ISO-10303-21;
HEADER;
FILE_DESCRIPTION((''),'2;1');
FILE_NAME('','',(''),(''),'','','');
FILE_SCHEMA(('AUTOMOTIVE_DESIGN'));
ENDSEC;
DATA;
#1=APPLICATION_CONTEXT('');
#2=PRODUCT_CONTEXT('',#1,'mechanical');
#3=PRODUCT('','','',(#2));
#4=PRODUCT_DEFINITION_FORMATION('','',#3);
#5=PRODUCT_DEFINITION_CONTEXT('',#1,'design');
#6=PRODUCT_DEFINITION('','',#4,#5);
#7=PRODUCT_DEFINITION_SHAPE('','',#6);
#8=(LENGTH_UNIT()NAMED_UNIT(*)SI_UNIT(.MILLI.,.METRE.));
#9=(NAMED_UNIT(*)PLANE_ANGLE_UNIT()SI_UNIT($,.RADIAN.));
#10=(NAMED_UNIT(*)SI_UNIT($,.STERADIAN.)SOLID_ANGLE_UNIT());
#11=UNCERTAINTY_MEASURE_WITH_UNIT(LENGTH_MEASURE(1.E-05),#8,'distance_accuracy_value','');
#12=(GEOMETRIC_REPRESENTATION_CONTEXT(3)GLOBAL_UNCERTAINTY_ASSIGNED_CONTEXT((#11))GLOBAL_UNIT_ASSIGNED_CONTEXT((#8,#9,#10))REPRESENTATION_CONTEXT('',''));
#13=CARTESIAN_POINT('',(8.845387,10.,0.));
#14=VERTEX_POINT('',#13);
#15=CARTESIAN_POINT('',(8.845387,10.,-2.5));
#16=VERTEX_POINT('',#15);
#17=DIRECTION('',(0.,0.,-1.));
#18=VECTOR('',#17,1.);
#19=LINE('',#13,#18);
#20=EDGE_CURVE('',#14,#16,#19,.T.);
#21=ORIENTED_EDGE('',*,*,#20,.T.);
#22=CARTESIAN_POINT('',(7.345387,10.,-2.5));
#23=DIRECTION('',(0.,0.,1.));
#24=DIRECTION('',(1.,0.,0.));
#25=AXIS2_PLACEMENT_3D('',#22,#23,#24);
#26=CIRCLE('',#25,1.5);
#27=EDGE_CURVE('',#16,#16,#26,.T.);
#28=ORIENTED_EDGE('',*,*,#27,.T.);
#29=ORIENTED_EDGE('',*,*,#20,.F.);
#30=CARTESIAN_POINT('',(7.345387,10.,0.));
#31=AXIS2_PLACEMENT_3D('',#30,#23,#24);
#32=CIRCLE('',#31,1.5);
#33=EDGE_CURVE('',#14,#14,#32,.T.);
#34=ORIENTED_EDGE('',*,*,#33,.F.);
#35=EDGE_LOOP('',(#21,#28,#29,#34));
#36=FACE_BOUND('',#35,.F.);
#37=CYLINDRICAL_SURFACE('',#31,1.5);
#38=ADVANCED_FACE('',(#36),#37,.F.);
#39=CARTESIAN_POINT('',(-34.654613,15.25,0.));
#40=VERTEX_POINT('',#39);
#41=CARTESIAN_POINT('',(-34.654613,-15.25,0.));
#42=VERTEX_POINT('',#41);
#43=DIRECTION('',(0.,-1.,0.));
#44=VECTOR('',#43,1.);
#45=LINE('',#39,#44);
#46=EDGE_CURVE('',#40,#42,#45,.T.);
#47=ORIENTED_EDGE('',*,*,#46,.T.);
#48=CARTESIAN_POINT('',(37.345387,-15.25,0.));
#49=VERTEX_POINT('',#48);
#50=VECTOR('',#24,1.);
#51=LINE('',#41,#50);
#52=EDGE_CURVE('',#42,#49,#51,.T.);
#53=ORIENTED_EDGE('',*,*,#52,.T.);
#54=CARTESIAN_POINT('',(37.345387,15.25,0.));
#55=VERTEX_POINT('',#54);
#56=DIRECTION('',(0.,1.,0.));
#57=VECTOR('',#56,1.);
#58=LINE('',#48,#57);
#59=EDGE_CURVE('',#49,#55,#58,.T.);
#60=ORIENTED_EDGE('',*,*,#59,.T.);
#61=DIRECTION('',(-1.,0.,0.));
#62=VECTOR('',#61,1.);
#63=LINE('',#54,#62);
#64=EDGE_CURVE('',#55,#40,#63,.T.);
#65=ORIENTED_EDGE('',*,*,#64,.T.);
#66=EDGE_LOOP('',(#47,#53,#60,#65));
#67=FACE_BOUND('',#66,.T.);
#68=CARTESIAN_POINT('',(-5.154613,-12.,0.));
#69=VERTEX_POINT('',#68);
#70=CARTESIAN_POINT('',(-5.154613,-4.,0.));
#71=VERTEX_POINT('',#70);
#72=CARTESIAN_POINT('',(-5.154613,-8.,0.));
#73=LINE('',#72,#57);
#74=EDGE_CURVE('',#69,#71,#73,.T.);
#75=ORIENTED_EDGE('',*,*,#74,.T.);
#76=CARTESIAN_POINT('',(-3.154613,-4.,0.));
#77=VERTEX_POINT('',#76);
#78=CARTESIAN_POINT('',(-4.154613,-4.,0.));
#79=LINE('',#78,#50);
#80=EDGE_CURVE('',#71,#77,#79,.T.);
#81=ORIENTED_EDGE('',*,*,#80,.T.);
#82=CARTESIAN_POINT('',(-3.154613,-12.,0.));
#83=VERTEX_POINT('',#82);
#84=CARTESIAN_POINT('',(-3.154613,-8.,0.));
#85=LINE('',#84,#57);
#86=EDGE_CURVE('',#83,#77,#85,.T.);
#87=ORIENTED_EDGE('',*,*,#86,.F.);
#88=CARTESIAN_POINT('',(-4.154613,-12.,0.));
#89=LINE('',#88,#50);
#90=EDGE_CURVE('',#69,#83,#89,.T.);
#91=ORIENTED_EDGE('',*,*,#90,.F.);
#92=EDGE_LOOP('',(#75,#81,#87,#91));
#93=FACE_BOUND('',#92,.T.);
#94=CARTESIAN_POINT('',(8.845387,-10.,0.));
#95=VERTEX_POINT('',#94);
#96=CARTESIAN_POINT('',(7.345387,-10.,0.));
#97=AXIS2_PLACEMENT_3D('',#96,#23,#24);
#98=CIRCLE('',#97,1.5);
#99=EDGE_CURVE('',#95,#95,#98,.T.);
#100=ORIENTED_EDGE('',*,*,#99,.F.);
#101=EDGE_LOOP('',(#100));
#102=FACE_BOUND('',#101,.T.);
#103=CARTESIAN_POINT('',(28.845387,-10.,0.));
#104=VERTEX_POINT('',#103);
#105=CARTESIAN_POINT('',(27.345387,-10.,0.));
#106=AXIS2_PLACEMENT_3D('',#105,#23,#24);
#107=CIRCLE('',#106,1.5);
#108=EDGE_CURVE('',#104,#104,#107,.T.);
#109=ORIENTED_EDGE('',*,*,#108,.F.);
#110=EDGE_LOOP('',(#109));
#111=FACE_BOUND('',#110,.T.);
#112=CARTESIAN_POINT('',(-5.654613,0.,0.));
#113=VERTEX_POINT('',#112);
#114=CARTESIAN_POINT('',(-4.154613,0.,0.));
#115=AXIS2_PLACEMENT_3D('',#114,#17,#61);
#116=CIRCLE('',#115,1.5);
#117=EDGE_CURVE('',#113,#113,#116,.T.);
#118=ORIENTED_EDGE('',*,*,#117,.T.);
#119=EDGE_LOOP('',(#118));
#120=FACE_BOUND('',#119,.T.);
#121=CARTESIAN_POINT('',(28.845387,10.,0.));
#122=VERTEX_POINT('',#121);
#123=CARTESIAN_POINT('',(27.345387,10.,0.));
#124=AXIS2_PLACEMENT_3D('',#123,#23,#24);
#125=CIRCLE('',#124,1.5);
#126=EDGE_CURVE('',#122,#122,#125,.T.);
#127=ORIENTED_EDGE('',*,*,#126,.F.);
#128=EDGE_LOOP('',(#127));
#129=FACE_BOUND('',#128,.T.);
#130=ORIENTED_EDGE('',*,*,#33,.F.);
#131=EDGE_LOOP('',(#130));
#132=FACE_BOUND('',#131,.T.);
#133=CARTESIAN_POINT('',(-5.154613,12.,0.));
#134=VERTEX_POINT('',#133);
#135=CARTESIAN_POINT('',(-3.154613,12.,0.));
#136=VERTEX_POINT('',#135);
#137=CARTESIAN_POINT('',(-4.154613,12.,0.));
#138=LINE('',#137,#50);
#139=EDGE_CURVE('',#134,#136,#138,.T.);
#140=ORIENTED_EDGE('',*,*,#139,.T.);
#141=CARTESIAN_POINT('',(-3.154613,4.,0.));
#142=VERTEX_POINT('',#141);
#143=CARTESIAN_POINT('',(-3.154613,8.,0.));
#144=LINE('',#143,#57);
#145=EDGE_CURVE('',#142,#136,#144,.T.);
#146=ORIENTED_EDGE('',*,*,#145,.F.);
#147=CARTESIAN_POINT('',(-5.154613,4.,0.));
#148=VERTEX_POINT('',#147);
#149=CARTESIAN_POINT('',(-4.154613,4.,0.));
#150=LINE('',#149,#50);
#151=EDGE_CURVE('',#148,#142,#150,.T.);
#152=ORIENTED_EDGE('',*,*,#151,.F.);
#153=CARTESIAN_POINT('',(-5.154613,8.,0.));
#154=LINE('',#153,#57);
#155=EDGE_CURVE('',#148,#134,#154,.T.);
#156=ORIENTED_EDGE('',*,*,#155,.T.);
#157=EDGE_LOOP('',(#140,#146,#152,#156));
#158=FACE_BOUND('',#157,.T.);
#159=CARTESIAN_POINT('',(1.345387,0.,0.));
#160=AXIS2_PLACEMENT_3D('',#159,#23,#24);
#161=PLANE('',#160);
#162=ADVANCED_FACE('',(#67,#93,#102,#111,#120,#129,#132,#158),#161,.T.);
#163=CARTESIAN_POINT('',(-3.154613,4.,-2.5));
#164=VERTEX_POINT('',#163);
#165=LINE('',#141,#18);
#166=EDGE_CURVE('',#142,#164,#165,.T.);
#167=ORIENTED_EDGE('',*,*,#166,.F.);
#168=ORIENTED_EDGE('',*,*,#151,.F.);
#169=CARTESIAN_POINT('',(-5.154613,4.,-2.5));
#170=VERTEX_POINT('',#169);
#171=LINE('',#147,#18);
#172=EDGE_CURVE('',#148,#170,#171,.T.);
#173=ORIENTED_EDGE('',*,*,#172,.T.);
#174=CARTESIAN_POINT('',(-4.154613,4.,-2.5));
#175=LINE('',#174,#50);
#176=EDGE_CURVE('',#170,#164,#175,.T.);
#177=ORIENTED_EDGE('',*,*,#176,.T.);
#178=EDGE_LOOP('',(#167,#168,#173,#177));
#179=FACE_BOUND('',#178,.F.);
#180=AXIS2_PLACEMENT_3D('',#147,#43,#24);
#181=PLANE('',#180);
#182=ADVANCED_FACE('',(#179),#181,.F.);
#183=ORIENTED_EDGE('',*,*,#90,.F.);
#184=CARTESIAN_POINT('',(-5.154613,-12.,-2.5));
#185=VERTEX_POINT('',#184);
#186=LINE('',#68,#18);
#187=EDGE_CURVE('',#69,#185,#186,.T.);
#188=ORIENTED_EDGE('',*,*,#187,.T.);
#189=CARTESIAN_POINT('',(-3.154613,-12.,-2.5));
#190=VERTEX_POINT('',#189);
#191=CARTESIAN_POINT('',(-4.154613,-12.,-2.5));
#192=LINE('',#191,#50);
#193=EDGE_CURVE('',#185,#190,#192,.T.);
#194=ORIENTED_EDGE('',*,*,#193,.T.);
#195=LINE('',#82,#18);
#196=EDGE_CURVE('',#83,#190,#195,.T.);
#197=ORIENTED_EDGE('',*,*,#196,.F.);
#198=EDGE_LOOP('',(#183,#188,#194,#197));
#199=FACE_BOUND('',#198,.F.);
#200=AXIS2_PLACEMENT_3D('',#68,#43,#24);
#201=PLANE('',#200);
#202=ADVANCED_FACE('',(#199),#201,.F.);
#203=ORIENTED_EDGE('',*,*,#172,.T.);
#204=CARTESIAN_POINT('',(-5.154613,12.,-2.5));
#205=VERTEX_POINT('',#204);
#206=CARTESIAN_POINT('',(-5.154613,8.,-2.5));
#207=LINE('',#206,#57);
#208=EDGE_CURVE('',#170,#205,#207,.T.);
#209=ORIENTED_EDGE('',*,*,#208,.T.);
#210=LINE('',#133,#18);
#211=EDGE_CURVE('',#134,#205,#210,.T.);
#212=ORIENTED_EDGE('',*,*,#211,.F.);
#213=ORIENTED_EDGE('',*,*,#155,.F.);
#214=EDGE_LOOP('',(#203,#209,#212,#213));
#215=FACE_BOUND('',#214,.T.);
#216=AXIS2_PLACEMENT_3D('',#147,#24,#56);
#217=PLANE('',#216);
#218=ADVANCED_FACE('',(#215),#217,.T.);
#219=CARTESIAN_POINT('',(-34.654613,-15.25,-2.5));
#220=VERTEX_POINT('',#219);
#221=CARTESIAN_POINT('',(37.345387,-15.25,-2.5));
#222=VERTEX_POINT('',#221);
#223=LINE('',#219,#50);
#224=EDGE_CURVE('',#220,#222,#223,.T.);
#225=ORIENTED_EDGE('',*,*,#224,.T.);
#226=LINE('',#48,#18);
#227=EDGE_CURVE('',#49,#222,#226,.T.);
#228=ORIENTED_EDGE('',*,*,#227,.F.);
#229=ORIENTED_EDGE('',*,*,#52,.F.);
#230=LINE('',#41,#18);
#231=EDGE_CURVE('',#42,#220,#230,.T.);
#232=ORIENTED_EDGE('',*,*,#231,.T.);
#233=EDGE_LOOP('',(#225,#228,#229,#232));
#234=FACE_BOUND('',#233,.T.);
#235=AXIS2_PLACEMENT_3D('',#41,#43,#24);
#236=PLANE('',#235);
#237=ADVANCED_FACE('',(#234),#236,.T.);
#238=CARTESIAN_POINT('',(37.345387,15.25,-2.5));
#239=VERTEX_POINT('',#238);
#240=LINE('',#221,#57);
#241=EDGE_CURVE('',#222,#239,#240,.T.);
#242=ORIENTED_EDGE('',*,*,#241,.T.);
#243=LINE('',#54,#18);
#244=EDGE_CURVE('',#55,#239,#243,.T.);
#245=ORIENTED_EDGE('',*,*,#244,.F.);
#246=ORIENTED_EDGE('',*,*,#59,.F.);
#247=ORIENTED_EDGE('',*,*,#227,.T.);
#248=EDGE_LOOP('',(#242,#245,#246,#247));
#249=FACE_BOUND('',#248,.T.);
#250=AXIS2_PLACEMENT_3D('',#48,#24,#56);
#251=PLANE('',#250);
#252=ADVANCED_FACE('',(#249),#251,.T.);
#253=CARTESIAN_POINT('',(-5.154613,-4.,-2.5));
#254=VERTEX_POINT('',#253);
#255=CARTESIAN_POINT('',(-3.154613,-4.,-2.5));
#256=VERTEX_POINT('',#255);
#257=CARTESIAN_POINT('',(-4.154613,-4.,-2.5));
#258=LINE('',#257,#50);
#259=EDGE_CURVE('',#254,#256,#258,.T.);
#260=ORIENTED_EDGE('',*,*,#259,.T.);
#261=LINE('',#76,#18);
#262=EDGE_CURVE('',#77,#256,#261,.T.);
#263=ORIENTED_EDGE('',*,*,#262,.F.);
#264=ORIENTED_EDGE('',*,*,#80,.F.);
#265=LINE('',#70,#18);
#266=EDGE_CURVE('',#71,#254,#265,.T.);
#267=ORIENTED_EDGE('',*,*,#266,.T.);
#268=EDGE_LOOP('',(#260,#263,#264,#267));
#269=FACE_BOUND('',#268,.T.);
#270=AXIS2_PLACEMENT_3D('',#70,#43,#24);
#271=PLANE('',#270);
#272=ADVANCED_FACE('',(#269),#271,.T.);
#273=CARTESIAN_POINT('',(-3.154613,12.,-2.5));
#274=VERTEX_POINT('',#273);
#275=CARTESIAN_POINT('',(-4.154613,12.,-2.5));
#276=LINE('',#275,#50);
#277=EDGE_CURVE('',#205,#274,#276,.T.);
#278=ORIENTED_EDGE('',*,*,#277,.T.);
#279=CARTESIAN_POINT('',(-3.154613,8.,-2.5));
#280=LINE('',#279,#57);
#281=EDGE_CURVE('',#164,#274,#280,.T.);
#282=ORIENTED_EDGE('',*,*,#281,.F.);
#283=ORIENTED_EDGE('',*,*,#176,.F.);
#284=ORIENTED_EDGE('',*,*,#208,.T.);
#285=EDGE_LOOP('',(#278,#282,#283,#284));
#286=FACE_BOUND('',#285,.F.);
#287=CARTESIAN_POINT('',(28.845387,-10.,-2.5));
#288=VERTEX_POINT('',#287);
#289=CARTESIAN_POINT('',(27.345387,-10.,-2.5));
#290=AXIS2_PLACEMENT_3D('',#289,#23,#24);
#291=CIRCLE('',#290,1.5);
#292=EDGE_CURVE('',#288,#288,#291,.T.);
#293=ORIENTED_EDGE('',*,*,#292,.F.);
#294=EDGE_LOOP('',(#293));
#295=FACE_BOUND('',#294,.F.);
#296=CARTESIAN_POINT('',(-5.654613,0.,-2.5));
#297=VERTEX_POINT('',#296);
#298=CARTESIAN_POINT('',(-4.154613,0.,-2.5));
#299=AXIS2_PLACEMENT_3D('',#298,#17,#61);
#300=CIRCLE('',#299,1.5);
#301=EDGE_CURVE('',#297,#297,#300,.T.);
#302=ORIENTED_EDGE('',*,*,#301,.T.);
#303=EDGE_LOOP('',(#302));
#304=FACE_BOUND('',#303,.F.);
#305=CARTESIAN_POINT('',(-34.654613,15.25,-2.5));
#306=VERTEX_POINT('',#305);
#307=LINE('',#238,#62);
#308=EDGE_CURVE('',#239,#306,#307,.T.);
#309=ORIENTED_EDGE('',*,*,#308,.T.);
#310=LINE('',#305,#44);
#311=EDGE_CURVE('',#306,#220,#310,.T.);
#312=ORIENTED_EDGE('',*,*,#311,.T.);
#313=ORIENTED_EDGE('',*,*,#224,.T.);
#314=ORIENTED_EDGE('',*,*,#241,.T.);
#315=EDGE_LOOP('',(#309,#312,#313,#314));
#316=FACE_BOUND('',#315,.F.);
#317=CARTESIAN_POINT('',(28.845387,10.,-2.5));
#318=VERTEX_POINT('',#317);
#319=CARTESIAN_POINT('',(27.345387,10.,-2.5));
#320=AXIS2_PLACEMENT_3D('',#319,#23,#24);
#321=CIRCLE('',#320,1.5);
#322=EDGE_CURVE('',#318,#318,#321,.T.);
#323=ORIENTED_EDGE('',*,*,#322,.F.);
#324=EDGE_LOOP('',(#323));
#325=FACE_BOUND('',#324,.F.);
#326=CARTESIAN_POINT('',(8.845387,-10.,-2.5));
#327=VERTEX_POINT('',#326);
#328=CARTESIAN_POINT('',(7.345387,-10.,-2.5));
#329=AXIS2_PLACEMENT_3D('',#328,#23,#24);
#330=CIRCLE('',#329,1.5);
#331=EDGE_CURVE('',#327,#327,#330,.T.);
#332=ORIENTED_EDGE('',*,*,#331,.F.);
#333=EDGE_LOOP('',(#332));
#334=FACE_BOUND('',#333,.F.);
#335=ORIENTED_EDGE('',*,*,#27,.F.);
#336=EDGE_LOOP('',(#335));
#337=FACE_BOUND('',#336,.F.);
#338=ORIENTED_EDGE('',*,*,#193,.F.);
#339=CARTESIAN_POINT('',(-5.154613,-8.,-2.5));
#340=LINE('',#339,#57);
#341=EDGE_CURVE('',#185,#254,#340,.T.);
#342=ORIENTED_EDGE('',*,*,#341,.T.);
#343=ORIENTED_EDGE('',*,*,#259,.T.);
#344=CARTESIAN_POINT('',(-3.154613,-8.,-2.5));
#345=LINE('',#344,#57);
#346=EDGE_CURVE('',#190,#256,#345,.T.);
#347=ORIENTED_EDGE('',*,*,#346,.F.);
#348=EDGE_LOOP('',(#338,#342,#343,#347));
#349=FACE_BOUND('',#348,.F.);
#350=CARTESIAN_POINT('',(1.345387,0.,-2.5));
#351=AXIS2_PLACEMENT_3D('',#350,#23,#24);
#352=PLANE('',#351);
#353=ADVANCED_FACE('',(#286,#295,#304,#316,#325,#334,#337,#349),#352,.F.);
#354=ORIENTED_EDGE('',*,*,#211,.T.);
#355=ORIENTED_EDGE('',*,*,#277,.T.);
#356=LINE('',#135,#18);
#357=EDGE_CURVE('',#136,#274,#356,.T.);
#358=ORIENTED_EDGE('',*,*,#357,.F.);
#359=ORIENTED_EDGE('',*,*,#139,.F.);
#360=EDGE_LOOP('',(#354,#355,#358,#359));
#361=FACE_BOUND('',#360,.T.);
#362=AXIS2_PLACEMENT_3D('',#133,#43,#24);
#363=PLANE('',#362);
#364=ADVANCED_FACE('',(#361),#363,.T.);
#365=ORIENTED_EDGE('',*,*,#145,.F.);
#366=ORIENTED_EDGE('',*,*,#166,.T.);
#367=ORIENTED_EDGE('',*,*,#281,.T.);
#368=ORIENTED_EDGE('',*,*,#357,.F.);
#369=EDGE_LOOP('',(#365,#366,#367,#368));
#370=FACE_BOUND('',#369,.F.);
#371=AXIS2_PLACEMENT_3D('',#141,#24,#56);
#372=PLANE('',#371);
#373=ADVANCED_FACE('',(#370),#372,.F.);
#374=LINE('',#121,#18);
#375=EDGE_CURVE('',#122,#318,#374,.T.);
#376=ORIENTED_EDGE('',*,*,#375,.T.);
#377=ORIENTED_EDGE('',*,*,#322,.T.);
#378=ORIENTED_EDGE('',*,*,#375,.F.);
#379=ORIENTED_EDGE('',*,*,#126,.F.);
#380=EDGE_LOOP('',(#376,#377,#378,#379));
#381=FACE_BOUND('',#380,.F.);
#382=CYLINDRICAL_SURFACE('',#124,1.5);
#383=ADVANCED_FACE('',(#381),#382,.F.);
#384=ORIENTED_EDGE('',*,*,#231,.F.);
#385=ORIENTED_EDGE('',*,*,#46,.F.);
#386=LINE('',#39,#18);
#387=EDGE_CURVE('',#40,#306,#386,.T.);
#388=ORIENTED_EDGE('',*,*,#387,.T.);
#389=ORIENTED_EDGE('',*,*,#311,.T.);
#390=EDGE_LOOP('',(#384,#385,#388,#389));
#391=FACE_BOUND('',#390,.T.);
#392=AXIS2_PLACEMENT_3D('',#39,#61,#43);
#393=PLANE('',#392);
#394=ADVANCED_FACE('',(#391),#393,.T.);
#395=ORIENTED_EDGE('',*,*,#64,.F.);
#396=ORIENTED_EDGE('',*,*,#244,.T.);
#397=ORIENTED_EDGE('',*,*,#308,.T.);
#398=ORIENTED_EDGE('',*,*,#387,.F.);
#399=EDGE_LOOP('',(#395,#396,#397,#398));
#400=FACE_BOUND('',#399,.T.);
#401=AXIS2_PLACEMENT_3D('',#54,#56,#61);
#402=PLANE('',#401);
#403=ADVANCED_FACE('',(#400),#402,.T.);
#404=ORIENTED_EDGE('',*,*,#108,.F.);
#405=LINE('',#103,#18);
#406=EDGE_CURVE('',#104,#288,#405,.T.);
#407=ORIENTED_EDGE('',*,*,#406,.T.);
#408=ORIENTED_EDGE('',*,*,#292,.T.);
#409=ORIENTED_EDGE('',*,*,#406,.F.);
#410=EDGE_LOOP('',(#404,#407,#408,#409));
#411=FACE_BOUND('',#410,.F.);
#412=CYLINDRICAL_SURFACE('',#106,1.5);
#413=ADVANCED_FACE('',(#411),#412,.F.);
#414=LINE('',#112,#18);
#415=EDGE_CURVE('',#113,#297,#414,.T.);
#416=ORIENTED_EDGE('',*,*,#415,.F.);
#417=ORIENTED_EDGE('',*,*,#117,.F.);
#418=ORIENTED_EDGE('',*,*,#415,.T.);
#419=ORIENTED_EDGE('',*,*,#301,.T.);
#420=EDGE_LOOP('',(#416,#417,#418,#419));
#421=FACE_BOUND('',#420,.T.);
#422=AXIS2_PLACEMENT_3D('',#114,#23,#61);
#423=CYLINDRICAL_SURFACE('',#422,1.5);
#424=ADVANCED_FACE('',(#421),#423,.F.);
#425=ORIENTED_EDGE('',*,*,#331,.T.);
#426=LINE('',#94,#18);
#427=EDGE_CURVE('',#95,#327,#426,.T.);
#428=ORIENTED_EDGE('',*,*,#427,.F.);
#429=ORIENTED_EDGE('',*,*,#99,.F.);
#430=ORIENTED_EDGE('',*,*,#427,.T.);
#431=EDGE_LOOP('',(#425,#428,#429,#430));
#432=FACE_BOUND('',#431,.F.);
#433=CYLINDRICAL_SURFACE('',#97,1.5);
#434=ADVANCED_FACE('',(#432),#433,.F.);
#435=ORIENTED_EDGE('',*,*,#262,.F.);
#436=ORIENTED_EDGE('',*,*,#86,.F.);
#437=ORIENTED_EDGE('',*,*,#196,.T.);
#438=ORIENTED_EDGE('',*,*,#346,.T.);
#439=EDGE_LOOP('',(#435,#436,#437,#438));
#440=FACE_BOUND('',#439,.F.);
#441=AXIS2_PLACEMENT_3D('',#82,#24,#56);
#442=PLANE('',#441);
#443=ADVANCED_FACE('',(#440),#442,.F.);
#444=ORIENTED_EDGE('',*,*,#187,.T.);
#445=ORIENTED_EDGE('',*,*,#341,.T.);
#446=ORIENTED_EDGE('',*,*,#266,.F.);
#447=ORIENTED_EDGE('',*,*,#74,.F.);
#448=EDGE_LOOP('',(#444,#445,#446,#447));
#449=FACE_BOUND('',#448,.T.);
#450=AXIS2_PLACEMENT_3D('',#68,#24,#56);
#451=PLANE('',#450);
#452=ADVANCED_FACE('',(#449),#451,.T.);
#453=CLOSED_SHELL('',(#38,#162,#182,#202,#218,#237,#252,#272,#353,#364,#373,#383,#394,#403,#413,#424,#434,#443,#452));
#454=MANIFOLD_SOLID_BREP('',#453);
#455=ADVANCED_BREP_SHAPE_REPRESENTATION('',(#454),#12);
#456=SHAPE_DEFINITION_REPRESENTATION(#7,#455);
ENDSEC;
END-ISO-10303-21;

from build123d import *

# Parameters (mm, degrees)
F0_W     = 2
F0_H     = 8
F0_R     = 1.5
F1_DEPTH = 2.5


with BuildPart() as f1:
    # F0 (on Top) → F1 (new body)
    with BuildSketch(Plane.XY):
        Polygon((37.345387, 15.25), (-34.654613, 15.25), (-34.654613, 0), (-34.654613, -15.25), (37.345387, -15.25), align=None)
        with Locations((-4.154613, -8)):
            Rectangle(F0_W, F0_H, mode=Mode.SUBTRACT)
        with Locations((7.345387, -10)):
            Circle(F0_R, mode=Mode.SUBTRACT)
        with Locations((27.345387, -10)):
            Circle(F0_R, mode=Mode.SUBTRACT)
        with BuildLine():
            ThreePointArc((-2.654613, 0), (-4.154613, -1.5), (-5.654613, 0))
            ThreePointArc((-5.654613, 0), (-4.154613, 1.5), (-2.654613, 0))
        make_face(mode=Mode.SUBTRACT)
        with Locations((-4.154613, 8)):
            Rectangle(F0_W, F0_H, mode=Mode.SUBTRACT)
        with Locations((7.345387, 10)):
            Circle(F0_R, mode=Mode.SUBTRACT)
        with Locations((27.345387, 10)):
            Circle(F0_R, mode=Mode.SUBTRACT)
    extrude(amount=-F1_DEPTH)


solid = f1.part
